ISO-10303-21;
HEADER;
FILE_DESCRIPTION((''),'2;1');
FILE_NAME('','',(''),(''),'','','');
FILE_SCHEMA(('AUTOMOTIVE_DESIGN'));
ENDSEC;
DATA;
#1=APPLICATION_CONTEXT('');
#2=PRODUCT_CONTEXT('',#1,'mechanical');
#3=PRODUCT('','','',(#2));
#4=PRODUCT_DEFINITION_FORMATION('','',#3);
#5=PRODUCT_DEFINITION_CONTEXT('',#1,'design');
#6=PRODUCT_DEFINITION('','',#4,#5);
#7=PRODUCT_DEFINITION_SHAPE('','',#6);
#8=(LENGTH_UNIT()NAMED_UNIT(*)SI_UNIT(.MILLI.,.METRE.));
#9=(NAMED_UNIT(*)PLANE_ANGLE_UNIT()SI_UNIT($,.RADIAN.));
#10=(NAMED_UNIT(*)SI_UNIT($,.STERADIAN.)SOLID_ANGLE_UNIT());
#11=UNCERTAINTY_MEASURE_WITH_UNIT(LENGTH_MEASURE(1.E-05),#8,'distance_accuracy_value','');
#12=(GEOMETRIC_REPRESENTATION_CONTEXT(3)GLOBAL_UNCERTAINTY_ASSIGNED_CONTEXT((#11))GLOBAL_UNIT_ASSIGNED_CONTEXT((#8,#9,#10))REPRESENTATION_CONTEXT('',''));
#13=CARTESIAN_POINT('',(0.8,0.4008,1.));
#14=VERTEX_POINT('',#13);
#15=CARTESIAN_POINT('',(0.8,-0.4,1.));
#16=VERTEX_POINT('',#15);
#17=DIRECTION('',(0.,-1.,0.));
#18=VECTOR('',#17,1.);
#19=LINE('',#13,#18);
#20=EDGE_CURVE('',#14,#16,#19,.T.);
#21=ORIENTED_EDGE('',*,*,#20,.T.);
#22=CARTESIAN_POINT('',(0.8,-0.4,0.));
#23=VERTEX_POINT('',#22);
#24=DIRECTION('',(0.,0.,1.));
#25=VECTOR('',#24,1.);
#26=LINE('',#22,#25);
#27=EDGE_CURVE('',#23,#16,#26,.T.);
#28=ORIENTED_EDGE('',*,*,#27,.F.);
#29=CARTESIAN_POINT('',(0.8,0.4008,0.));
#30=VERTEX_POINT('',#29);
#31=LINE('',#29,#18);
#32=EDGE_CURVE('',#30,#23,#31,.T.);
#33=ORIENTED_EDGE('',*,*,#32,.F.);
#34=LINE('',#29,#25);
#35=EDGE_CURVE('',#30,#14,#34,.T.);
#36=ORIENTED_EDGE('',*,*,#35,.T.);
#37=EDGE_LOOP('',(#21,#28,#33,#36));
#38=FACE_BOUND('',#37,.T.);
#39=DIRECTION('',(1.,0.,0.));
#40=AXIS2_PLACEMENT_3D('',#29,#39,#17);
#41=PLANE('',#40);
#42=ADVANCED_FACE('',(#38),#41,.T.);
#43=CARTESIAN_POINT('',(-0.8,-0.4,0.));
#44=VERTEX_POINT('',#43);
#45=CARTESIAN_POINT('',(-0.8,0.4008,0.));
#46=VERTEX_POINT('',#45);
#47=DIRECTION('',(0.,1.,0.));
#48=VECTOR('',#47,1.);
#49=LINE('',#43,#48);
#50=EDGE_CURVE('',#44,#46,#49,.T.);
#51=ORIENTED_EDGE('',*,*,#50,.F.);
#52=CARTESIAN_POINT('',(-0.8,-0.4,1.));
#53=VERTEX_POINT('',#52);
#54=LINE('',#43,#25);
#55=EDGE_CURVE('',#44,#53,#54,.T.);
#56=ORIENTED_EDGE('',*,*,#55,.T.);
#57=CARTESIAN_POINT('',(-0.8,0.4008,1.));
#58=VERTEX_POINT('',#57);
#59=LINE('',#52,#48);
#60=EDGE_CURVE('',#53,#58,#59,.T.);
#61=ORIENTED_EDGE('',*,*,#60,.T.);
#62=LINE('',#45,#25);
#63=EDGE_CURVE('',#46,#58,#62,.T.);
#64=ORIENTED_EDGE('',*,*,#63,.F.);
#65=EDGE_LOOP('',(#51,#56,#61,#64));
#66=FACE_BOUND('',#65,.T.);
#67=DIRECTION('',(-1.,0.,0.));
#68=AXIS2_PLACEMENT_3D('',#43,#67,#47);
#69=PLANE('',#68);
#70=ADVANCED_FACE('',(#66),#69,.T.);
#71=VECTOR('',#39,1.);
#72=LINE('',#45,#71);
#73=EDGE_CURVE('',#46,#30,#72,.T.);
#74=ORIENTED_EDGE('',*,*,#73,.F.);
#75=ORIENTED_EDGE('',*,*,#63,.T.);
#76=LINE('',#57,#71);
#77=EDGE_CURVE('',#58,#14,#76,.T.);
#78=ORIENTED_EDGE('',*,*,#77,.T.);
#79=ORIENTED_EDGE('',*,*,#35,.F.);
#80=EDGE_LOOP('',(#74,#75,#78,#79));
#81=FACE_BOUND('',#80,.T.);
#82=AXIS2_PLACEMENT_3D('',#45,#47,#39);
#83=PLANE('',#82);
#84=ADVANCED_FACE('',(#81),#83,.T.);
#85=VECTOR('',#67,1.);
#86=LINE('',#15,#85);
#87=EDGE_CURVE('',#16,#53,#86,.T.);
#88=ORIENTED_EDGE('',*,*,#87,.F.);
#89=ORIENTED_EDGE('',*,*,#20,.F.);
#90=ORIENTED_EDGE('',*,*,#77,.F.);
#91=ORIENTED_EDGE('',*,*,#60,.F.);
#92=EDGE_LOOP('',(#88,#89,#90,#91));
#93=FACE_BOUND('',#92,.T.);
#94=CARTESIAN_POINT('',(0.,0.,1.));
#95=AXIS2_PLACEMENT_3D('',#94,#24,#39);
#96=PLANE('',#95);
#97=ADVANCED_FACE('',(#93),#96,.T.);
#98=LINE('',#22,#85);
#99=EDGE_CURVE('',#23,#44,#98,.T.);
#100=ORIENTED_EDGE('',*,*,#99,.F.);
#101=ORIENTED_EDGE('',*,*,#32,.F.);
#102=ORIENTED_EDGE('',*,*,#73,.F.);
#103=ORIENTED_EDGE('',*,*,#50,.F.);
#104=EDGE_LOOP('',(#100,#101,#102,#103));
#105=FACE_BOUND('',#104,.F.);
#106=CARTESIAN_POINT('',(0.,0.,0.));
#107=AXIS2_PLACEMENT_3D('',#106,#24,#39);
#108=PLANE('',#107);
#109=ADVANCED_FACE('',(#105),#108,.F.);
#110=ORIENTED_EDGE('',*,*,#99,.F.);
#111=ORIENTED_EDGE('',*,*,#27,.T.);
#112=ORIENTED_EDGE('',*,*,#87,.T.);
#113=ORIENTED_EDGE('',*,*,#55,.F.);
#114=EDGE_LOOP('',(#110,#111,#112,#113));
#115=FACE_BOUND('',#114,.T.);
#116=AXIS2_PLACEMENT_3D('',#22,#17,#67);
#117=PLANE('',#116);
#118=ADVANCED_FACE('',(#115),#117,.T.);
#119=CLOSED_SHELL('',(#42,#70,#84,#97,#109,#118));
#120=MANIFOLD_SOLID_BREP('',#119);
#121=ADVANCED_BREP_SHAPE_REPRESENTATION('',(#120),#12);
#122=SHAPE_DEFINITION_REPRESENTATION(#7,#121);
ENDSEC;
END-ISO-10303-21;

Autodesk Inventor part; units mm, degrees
ref_plane "YZ Plane" through (0, 0, 0) normal (1, 0, 0) x (0, 1, 0)
ref_plane "XZ Plane" through (0, 0, 0) normal (0, 1, 0) x (-1, 0, 0)
ref_plane "XY Plane" through (0, 0, 0) normal (0, 0, 1) x (1, 0, 0)
sketch "C0603K, 10PF_24" plane through (0, 0, 0) normal (0, 0, 1) x (1, 0, 0)
  line L0 (-0.8, 0.4008) -> (0.8, 0.4008)
  line L1 (0.8, 0.4008) -> (0.8, -0.4)
  line L2 (0.8, -0.4) -> (-0.8, -0.4)
  line L3 (-0.8, -0.4) -> (-0.8, 0.4008)
extrude "Extrusion1" add sketch "C0603K, 10PF_24" along normal blind 1
properties part number "10PF"
